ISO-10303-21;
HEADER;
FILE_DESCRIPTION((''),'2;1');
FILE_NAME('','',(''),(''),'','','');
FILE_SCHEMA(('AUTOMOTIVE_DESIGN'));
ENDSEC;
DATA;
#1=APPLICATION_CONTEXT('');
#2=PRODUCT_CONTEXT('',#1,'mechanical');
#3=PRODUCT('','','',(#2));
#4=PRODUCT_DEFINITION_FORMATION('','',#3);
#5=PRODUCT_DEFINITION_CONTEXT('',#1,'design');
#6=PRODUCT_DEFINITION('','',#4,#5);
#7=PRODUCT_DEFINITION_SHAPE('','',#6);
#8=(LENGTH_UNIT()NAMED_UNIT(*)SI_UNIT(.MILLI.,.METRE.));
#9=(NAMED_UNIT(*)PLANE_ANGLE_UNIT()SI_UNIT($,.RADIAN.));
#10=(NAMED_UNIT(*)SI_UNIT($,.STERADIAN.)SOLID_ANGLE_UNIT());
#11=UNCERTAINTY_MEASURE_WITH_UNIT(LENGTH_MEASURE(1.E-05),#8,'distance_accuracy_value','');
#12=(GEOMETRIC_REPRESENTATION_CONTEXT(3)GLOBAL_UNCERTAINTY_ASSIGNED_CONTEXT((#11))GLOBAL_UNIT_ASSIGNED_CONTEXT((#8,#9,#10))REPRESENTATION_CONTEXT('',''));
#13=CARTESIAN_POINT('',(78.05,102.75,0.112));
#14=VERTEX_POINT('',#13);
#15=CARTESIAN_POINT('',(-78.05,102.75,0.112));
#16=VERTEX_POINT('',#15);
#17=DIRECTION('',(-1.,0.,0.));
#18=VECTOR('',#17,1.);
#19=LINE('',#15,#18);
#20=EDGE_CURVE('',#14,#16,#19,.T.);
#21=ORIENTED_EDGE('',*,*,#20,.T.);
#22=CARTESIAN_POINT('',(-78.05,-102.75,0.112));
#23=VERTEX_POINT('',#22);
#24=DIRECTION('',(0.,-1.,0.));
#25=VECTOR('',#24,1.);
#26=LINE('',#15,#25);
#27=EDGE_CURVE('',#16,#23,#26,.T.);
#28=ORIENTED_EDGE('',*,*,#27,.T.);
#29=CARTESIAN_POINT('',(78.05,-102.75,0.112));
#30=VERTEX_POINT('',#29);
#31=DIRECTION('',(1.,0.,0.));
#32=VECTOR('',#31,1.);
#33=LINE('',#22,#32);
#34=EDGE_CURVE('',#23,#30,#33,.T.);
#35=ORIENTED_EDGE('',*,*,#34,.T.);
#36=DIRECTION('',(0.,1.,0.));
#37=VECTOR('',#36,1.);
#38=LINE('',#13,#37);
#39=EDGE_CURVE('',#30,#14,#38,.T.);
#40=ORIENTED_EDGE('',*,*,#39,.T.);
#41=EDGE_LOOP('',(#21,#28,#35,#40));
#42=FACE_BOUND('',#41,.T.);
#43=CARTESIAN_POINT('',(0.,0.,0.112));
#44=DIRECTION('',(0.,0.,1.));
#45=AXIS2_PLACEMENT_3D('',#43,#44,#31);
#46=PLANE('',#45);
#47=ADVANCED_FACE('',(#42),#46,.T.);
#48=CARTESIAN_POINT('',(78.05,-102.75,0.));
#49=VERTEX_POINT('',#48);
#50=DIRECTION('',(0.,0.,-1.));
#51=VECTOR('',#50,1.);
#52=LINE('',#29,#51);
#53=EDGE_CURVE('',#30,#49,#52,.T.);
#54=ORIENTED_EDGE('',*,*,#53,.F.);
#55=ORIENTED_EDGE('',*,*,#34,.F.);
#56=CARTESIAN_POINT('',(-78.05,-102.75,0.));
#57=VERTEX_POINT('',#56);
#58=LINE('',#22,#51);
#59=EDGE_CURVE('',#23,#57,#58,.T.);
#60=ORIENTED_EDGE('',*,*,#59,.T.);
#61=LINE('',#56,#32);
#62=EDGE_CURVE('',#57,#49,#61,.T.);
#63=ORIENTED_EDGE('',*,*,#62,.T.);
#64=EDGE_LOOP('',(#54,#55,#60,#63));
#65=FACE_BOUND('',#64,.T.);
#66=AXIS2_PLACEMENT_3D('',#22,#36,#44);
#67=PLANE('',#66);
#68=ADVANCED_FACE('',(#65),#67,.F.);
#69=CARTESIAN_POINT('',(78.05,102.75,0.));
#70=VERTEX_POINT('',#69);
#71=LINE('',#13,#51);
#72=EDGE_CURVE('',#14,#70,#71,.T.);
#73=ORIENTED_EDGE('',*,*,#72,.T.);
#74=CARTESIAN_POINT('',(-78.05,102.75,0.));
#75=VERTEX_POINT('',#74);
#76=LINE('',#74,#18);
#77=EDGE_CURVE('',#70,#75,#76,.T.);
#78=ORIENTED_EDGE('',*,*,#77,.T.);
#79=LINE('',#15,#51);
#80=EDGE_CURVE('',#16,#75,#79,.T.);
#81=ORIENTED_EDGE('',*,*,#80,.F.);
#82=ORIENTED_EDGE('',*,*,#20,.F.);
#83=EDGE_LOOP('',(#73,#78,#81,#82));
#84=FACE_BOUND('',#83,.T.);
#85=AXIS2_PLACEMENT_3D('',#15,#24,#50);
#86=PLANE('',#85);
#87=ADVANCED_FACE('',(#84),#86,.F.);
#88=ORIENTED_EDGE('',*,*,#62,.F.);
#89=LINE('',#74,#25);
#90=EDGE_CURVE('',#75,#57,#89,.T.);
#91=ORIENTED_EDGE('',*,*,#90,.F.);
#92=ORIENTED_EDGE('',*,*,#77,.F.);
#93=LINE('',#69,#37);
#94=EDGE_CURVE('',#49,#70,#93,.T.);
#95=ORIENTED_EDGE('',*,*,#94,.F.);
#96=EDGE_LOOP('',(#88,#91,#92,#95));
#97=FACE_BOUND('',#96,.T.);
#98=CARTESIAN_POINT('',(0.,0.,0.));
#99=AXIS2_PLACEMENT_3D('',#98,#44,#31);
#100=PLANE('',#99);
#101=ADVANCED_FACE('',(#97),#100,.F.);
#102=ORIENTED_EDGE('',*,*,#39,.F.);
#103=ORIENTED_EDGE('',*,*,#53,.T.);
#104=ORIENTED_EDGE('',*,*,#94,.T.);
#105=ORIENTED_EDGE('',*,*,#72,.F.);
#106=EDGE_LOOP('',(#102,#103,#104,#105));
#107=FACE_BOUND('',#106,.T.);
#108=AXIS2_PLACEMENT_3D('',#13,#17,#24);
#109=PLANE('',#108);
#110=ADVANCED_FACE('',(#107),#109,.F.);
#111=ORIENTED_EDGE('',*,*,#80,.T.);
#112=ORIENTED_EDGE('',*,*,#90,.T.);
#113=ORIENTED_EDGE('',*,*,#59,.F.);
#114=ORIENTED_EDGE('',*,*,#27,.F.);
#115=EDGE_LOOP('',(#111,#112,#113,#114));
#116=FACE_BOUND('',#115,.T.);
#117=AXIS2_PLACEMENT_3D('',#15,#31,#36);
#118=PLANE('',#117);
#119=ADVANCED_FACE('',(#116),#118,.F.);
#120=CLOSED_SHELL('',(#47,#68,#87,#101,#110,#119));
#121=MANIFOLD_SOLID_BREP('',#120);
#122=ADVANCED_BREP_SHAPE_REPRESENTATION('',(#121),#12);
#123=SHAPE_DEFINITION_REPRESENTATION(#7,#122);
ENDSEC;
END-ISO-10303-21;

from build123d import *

# Parameters (mm, degrees)
SKETCH1_W   = 156.1
SKETCH1_H   = 205.5
POUCH_DEPTH = 0.112


with BuildPart() as part:
    # Sketch1 → Pouch (new body)
    with BuildSketch(Plane.XY):
        Rectangle(SKETCH1_W, SKETCH1_H)
    extrude(amount=POUCH_DEPTH)


solid = part.part
